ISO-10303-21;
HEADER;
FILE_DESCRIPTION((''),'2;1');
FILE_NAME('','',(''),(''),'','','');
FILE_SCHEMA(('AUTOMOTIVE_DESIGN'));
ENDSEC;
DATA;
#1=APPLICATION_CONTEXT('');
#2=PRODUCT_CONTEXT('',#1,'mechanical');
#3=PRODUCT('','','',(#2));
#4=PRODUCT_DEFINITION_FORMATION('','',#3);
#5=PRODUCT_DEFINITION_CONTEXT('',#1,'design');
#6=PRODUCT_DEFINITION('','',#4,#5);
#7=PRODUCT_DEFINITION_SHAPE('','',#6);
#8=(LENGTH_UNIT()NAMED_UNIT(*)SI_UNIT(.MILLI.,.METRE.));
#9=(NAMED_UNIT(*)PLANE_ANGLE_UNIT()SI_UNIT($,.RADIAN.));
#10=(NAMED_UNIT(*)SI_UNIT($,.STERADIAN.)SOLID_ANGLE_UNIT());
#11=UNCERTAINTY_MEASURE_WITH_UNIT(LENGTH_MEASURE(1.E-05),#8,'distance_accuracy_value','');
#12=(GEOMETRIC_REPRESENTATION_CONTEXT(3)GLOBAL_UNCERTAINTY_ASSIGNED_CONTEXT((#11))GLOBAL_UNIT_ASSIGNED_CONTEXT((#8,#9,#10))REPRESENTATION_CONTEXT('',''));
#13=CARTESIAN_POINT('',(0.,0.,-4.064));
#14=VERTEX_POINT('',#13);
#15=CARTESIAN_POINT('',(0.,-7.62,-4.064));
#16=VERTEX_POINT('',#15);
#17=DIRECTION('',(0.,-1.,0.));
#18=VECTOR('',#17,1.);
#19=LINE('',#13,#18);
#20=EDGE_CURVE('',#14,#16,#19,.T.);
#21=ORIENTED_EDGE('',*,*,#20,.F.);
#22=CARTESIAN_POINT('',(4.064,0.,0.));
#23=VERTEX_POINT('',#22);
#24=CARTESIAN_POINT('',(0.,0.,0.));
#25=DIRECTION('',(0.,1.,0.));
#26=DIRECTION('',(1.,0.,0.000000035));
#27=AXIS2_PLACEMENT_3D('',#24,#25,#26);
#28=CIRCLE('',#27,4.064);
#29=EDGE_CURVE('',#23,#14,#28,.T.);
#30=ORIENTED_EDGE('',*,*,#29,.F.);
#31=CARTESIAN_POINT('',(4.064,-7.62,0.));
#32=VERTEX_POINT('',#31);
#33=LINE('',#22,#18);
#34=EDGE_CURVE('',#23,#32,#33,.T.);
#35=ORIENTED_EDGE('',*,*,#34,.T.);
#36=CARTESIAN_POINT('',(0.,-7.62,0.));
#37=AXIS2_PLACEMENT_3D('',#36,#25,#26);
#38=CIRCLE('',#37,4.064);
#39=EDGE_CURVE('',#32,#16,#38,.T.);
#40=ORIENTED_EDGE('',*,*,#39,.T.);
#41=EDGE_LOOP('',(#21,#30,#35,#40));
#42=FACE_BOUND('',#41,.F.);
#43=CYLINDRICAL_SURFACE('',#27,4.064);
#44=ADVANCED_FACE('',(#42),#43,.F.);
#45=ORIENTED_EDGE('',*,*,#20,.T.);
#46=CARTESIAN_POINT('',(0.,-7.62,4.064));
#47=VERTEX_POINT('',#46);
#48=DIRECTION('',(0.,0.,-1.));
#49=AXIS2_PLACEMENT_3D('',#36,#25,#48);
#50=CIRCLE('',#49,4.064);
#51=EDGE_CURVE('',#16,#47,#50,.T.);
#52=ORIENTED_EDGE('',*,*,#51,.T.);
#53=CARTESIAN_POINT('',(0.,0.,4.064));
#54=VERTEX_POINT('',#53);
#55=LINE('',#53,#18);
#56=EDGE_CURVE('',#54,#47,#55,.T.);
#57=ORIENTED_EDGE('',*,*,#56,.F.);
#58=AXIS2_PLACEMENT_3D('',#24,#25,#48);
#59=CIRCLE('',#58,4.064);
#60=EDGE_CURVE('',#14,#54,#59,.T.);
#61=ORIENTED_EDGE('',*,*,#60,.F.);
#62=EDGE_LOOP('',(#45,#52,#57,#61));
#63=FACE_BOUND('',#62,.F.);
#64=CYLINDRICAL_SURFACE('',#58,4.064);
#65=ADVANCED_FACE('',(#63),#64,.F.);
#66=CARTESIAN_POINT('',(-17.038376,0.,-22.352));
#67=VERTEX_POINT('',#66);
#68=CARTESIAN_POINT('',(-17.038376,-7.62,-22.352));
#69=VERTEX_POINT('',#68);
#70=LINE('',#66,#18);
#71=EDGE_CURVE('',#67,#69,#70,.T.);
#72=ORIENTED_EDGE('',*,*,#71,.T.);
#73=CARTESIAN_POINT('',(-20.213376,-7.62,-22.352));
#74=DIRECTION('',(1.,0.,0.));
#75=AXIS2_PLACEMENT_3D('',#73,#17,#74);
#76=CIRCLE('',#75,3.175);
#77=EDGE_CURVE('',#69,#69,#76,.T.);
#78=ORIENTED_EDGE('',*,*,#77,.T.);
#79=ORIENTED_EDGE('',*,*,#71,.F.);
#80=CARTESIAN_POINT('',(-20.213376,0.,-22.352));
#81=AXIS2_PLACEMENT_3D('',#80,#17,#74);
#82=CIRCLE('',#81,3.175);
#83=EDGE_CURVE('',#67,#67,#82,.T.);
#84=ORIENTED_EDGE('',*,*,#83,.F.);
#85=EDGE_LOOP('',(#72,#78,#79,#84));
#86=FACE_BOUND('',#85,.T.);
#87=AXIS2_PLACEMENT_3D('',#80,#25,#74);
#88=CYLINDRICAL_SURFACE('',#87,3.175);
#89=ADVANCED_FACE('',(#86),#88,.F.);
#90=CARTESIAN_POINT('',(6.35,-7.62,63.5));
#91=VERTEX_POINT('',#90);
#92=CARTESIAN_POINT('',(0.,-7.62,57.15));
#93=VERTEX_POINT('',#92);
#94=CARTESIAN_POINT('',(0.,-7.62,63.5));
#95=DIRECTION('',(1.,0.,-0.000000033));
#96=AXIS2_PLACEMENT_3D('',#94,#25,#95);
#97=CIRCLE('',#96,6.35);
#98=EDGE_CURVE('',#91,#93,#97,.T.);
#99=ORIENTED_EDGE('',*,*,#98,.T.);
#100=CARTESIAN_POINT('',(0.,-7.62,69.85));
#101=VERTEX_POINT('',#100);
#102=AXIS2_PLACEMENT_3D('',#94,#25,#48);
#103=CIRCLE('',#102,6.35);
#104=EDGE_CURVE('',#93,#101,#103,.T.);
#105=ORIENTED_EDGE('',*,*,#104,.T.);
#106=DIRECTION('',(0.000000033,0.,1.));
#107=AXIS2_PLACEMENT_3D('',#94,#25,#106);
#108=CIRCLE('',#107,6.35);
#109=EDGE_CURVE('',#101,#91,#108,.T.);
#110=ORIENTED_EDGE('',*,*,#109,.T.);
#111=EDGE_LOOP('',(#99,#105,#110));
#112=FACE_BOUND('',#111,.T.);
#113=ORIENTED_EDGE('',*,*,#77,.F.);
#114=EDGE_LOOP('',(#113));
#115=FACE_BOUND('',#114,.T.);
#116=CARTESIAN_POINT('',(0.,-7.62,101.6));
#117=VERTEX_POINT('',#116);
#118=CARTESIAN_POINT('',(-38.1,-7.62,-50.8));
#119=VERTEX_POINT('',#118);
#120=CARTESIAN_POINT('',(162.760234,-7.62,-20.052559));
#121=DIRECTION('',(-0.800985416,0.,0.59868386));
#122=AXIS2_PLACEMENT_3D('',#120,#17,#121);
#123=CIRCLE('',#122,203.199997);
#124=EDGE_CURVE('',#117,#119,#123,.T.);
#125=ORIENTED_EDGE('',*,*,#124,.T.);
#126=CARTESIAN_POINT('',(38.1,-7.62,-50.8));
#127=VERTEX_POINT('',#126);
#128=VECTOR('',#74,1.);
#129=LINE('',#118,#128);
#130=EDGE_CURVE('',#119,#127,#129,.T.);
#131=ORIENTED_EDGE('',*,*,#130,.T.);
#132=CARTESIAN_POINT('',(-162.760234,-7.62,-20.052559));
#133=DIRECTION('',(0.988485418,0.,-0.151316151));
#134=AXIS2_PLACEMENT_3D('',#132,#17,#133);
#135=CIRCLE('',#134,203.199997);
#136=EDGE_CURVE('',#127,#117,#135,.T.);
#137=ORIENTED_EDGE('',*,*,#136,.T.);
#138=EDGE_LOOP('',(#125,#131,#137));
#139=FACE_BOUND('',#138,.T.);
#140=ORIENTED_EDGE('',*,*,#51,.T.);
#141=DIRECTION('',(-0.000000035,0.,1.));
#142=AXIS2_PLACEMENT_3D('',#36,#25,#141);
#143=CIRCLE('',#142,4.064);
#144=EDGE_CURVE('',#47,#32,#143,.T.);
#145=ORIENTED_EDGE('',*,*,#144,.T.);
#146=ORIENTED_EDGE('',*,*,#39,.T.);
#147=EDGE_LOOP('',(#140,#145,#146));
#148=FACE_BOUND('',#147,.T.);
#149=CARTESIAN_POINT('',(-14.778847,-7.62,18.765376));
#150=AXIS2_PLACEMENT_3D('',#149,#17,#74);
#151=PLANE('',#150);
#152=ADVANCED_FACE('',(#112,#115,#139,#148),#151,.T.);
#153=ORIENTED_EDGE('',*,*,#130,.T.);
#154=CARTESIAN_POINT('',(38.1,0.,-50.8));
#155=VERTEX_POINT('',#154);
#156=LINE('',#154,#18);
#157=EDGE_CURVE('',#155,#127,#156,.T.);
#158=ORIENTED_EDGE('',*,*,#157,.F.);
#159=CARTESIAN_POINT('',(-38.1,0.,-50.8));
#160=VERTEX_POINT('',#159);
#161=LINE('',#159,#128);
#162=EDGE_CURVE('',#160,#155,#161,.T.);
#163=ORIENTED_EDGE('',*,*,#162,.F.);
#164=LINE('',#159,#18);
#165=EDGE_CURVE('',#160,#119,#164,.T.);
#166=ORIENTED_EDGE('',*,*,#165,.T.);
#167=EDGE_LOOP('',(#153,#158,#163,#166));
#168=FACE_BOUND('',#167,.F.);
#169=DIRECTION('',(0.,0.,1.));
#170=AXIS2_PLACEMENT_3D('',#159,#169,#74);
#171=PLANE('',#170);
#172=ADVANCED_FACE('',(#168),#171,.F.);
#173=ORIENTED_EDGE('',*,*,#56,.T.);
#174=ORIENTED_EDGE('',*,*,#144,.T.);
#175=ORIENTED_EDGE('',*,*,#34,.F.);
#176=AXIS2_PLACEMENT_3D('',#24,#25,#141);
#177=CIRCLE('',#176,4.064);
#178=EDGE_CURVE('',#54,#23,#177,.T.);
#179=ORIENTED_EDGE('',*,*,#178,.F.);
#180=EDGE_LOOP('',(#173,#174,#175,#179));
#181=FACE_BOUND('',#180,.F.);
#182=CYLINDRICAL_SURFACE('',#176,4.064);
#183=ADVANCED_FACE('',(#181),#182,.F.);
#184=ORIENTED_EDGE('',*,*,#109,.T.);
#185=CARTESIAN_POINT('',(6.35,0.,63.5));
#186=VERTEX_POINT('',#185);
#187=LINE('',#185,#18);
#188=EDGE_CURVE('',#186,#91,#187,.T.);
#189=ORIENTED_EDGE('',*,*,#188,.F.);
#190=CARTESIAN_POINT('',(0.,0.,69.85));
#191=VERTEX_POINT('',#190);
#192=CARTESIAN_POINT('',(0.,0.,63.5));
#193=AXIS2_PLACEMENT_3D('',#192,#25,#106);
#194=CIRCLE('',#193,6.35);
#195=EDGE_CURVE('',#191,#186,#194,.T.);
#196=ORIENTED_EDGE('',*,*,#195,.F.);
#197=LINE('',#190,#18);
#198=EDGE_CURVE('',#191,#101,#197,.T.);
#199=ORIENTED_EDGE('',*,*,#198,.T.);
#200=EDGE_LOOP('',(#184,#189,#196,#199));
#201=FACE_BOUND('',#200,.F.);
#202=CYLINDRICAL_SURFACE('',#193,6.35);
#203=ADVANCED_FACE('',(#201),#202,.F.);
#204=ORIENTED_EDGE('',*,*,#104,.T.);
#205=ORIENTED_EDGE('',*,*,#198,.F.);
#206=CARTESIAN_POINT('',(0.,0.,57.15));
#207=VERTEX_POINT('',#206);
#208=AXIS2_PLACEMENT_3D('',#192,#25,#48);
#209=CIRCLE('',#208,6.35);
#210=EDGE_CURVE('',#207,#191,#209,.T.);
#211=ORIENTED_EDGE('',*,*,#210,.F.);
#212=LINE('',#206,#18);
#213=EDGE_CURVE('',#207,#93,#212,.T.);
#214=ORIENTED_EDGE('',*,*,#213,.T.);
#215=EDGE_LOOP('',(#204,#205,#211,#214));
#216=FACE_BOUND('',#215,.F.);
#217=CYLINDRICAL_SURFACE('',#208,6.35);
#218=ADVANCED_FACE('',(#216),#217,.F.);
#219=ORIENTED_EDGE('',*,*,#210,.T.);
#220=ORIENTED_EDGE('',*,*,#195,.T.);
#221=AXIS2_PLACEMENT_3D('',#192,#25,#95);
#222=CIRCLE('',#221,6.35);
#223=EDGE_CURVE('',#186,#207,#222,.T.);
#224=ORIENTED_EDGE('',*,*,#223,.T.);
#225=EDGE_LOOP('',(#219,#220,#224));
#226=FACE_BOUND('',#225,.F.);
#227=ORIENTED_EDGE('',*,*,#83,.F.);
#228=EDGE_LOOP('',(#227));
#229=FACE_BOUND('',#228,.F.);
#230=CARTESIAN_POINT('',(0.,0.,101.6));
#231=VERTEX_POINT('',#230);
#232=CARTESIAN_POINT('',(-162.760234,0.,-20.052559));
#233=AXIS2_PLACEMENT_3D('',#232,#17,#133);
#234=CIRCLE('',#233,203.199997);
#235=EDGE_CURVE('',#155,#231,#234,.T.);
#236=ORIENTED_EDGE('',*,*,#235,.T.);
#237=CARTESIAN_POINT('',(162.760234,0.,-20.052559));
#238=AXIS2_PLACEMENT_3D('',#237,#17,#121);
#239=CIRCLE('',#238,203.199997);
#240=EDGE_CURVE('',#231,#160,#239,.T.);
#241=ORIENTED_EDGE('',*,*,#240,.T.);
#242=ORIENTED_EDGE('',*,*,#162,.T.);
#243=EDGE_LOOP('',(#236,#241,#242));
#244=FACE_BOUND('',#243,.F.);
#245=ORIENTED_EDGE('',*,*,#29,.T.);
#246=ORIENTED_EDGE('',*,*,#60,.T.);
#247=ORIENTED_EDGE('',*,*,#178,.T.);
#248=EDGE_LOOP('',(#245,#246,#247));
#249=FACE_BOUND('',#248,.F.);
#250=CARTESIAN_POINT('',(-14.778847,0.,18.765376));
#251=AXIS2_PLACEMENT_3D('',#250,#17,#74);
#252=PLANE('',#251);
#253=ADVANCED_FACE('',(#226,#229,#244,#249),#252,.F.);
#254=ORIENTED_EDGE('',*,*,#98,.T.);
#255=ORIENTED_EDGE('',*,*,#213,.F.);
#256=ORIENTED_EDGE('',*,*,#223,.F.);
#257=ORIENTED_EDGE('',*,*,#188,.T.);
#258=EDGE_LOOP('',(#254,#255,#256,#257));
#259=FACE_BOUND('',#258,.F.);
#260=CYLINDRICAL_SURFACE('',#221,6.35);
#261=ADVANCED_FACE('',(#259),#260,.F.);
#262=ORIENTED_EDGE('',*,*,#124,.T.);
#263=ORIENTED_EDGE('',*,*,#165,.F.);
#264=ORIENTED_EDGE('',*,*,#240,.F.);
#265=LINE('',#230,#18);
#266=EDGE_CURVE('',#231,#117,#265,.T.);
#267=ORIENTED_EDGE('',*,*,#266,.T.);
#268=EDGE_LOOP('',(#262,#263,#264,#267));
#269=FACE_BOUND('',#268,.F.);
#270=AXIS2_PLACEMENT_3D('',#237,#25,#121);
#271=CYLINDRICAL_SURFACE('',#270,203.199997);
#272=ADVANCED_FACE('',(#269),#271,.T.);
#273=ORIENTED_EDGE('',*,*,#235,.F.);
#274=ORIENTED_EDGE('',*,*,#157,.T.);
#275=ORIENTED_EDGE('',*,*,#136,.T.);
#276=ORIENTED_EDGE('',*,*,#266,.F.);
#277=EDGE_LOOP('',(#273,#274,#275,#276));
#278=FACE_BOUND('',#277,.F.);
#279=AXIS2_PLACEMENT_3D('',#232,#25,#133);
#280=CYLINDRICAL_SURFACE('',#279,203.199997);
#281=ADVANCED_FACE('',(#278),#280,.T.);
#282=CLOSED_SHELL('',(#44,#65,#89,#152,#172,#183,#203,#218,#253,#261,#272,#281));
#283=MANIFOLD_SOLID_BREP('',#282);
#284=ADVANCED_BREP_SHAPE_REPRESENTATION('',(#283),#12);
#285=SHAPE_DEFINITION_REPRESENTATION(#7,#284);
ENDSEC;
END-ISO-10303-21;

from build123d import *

# Parameters (mm, degrees)
F0_R     = 3.175
F1_DEPTH = 7.62


with BuildPart() as f1:
    # F0 (on Front) → F1 (new body)
    with BuildSketch(Plane.XZ):
        with BuildLine():
            Line((0, 69.85), (0, 101.6))
            ThreePointArc((0, 101.6), (-34.372719, 29.23068), (-38.1, -50.8))
            Line((-38.1, -50.8), (0, -50.8))
            Line((0, -50.8), (0, -4.064))
            ThreePointArc((0, -4.064), (-4.064, 0), (0, 4.064))
            Line((0, 4.064), (0, 57.15))
            ThreePointArc((0, 57.15), (-6.35, 63.5), (0, 69.85))
        make_face()
        with Locations((-20.213376, -22.352)):
            Circle(F0_R, mode=Mode.SUBTRACT)
        with BuildLine():
            ThreePointArc((38.1, -50.8), (34.372719, 29.23068), (0, 101.6))
            Line((0, 101.6), (0, 69.85))
            ThreePointArc((0, 69.85), (4.490128, 67.990128), (6.35, 63.5))
            ThreePointArc((6.35, 63.5), (4.490128, 59.009872), (0, 57.15))
            Line((0, 57.15), (0, 4.064))
            ThreePointArc((0, 4.064), (2.873682, 2.873682), (4.064, 0))
            ThreePointArc((4.064, 0), (2.873682, -2.873682), (0, -4.064))
            Line((0, -4.064), (0, -50.8))
            Line((0, -50.8), (38.1, -50.8))
        make_face()
    extrude(amount=F1_DEPTH)


solid = f1.part
